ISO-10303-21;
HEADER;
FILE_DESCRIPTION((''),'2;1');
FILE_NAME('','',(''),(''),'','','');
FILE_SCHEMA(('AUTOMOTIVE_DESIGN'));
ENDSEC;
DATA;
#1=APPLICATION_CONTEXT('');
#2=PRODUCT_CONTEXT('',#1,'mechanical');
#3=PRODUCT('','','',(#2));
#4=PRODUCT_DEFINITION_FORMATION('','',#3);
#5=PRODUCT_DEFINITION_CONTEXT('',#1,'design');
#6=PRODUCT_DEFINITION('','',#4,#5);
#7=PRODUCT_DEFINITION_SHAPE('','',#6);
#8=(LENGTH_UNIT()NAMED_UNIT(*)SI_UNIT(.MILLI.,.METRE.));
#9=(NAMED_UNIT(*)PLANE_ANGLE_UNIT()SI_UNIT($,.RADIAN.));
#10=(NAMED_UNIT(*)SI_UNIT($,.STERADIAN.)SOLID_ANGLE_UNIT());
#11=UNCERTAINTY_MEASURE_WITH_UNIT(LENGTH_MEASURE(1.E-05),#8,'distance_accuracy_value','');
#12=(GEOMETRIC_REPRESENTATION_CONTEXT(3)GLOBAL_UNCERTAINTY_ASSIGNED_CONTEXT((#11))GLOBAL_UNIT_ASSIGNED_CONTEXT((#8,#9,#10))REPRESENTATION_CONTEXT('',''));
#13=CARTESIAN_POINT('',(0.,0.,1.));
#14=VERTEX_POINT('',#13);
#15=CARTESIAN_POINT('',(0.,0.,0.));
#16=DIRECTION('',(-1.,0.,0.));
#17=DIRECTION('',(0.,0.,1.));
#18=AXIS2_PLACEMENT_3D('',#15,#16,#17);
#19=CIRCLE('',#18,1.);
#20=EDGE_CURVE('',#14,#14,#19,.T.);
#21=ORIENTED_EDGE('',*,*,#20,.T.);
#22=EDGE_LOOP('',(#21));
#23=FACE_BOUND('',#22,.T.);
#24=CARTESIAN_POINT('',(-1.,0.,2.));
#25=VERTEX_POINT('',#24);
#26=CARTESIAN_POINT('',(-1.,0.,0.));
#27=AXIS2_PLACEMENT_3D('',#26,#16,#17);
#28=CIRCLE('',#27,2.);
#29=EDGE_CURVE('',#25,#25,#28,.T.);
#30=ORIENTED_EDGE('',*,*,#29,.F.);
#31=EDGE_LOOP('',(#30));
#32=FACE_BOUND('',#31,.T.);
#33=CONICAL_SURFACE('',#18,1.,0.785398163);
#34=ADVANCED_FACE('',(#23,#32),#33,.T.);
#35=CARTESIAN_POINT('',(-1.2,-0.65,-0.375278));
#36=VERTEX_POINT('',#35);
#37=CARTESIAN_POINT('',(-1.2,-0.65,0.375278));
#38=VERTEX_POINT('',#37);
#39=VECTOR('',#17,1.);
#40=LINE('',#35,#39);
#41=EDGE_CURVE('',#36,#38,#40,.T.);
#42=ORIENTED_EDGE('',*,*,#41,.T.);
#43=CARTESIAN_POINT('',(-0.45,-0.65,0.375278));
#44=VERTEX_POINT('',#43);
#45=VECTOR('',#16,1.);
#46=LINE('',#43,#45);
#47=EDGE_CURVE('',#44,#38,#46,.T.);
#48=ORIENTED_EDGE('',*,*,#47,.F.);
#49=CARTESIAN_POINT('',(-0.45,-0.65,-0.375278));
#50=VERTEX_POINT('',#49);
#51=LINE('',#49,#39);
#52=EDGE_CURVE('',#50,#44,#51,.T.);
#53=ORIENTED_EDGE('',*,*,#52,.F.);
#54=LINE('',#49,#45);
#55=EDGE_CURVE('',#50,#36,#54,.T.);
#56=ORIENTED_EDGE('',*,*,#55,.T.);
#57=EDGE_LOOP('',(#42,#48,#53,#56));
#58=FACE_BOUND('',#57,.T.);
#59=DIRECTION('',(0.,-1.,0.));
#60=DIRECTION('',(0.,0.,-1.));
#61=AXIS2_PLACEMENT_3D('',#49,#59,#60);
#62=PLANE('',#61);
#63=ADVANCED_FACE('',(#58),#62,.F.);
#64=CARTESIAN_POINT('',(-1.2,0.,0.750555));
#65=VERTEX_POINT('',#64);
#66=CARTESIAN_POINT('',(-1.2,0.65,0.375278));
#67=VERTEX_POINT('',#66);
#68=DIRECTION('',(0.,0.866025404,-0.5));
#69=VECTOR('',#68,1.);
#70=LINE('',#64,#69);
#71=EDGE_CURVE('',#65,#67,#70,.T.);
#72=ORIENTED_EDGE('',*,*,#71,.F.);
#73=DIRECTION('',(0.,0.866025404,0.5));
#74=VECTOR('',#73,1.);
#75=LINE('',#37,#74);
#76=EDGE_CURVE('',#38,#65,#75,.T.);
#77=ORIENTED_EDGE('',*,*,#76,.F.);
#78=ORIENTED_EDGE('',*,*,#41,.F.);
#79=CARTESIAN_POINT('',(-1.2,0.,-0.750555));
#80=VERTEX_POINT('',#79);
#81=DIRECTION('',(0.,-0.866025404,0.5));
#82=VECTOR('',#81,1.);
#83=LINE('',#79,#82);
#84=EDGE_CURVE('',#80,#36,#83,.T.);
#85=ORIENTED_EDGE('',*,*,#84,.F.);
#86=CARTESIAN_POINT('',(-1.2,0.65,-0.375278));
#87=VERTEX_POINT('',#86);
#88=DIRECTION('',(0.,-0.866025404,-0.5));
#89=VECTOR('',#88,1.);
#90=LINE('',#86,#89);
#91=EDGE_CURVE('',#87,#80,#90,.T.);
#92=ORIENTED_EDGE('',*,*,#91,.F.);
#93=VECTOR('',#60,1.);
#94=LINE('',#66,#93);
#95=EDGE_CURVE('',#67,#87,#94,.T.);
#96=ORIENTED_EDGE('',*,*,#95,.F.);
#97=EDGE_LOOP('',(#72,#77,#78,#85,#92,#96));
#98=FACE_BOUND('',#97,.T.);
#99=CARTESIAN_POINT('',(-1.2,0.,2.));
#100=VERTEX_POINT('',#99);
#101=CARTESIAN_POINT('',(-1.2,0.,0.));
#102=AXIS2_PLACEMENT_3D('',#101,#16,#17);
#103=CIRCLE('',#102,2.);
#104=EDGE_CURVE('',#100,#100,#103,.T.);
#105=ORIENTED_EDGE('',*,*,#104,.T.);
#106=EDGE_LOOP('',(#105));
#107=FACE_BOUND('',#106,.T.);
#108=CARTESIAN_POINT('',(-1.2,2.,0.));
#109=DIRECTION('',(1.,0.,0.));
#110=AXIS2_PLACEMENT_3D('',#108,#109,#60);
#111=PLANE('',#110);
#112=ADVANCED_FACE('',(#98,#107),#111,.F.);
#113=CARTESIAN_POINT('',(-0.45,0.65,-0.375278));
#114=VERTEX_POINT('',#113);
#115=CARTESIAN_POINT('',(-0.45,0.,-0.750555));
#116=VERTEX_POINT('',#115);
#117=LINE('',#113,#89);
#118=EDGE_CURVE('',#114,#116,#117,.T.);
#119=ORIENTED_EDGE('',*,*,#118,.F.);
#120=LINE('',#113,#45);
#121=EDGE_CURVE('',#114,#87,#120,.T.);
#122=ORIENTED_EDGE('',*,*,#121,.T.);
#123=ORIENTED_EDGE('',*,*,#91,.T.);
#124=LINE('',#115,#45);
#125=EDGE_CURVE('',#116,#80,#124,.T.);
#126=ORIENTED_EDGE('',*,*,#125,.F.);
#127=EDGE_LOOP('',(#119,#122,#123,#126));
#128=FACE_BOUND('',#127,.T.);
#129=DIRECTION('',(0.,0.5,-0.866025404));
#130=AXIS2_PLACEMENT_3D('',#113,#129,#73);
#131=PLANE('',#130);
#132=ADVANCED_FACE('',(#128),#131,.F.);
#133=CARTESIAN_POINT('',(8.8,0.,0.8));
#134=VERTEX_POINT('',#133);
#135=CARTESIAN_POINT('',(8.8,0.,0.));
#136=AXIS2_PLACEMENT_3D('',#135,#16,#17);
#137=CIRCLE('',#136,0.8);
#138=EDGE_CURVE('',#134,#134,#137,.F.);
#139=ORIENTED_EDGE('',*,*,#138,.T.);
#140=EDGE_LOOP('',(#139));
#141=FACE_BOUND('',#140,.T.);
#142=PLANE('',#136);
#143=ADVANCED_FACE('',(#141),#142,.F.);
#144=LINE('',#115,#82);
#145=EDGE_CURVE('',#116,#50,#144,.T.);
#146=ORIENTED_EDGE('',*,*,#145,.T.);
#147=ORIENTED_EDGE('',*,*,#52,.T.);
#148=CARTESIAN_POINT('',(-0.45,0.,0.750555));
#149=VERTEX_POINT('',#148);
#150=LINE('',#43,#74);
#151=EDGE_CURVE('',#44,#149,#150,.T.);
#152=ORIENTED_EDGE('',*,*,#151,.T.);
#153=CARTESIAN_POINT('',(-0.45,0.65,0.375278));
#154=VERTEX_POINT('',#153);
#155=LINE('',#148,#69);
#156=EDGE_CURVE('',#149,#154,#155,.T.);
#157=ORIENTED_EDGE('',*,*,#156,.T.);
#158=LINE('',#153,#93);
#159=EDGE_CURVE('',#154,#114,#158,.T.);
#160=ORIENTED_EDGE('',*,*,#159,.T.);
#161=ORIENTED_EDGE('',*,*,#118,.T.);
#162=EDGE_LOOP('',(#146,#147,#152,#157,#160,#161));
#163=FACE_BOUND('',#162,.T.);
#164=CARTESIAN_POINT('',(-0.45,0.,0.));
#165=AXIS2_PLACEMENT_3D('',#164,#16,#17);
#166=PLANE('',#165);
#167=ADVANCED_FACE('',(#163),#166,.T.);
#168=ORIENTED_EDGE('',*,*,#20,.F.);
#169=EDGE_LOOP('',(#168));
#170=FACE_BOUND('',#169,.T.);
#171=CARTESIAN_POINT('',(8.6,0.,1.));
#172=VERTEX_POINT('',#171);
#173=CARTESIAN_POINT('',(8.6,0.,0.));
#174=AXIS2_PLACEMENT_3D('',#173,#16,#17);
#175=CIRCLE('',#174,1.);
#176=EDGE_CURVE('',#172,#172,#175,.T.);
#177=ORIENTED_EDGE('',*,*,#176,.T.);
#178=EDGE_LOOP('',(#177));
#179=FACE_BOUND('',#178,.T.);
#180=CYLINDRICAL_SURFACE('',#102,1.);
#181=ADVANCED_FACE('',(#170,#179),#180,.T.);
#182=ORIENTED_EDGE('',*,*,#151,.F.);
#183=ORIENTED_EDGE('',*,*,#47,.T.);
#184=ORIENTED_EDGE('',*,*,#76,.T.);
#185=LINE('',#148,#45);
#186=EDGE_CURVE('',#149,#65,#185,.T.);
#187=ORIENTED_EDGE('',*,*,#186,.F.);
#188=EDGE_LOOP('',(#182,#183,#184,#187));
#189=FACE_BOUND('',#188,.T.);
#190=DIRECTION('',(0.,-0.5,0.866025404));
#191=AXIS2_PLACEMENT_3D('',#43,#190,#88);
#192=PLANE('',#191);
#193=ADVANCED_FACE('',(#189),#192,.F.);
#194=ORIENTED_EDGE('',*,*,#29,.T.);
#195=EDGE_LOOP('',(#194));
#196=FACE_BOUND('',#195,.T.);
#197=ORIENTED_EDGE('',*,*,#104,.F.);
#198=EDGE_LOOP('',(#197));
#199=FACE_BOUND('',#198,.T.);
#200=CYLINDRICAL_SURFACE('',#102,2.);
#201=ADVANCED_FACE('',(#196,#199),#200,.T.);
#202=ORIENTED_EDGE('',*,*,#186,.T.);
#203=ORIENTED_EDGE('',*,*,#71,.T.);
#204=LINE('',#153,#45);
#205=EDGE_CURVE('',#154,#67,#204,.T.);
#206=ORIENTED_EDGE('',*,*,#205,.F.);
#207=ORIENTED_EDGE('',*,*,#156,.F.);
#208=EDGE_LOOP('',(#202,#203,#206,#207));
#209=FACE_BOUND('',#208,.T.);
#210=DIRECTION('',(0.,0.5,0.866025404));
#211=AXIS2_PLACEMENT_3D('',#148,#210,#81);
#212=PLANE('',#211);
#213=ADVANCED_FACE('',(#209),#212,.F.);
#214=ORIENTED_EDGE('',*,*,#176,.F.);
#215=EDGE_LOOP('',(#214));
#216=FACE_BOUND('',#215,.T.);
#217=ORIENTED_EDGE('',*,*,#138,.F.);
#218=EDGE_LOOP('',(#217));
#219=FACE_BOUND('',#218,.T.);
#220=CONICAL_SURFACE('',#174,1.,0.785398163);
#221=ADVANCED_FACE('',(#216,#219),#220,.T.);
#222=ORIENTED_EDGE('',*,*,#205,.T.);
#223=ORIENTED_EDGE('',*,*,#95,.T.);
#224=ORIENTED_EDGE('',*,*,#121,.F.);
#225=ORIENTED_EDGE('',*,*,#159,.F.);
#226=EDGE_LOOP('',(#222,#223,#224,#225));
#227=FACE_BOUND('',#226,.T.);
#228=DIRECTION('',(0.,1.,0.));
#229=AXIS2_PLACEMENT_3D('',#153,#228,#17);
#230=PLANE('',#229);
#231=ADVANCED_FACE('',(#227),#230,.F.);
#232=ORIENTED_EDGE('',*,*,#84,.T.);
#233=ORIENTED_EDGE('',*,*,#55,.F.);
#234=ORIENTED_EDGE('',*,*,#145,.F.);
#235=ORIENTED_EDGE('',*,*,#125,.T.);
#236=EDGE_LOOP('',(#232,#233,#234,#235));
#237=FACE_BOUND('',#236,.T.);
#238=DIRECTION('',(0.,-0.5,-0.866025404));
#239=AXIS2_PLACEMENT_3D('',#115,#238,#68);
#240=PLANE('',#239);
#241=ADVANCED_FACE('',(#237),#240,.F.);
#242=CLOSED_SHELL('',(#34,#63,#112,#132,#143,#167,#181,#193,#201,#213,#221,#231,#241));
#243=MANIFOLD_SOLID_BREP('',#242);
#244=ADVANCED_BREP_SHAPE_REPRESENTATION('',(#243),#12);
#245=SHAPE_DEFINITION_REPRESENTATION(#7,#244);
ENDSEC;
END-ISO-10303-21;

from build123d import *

# Parameters (mm, degrees)
CHAMFER1_SIZE      = 0.2
CUT_EXTRUDE1_DEPTH = 0.75


with BuildPart() as part:
    # Sketch1 → Revolve1 (revolve)
    with BuildSketch(Plane.XY):
        Polygon((0, 1), (-1, 2), (-1.2, 2), (-1.2, 0), (8.8, 0), (8.8, 1), align=None)
    revolve(axis=Axis((-1.2, 0, 0), (1, 0, 0)))

    # Chamfer1
    chamfer1_edges = [part.edges().sort_by_distance(p)[0] for p in [
        (8.8, -1, 0),
    ]]
    chamfer(chamfer1_edges, length=CHAMFER1_SIZE)

    # Sketch2 → Cut-Extrude1 (cut)
    with BuildSketch(Plane.ZY.offset(1.2)):
        Polygon((-0.75055535, 0), (-0.375277675, -0.65), (0.375277675, -0.65), (0.75055535, 0), (0.375277675, 0.65), (-0.375277675, 0.65), align=None)
    extrude(amount=-CUT_EXTRUDE1_DEPTH, mode=Mode.SUBTRACT)


solid = part.part
